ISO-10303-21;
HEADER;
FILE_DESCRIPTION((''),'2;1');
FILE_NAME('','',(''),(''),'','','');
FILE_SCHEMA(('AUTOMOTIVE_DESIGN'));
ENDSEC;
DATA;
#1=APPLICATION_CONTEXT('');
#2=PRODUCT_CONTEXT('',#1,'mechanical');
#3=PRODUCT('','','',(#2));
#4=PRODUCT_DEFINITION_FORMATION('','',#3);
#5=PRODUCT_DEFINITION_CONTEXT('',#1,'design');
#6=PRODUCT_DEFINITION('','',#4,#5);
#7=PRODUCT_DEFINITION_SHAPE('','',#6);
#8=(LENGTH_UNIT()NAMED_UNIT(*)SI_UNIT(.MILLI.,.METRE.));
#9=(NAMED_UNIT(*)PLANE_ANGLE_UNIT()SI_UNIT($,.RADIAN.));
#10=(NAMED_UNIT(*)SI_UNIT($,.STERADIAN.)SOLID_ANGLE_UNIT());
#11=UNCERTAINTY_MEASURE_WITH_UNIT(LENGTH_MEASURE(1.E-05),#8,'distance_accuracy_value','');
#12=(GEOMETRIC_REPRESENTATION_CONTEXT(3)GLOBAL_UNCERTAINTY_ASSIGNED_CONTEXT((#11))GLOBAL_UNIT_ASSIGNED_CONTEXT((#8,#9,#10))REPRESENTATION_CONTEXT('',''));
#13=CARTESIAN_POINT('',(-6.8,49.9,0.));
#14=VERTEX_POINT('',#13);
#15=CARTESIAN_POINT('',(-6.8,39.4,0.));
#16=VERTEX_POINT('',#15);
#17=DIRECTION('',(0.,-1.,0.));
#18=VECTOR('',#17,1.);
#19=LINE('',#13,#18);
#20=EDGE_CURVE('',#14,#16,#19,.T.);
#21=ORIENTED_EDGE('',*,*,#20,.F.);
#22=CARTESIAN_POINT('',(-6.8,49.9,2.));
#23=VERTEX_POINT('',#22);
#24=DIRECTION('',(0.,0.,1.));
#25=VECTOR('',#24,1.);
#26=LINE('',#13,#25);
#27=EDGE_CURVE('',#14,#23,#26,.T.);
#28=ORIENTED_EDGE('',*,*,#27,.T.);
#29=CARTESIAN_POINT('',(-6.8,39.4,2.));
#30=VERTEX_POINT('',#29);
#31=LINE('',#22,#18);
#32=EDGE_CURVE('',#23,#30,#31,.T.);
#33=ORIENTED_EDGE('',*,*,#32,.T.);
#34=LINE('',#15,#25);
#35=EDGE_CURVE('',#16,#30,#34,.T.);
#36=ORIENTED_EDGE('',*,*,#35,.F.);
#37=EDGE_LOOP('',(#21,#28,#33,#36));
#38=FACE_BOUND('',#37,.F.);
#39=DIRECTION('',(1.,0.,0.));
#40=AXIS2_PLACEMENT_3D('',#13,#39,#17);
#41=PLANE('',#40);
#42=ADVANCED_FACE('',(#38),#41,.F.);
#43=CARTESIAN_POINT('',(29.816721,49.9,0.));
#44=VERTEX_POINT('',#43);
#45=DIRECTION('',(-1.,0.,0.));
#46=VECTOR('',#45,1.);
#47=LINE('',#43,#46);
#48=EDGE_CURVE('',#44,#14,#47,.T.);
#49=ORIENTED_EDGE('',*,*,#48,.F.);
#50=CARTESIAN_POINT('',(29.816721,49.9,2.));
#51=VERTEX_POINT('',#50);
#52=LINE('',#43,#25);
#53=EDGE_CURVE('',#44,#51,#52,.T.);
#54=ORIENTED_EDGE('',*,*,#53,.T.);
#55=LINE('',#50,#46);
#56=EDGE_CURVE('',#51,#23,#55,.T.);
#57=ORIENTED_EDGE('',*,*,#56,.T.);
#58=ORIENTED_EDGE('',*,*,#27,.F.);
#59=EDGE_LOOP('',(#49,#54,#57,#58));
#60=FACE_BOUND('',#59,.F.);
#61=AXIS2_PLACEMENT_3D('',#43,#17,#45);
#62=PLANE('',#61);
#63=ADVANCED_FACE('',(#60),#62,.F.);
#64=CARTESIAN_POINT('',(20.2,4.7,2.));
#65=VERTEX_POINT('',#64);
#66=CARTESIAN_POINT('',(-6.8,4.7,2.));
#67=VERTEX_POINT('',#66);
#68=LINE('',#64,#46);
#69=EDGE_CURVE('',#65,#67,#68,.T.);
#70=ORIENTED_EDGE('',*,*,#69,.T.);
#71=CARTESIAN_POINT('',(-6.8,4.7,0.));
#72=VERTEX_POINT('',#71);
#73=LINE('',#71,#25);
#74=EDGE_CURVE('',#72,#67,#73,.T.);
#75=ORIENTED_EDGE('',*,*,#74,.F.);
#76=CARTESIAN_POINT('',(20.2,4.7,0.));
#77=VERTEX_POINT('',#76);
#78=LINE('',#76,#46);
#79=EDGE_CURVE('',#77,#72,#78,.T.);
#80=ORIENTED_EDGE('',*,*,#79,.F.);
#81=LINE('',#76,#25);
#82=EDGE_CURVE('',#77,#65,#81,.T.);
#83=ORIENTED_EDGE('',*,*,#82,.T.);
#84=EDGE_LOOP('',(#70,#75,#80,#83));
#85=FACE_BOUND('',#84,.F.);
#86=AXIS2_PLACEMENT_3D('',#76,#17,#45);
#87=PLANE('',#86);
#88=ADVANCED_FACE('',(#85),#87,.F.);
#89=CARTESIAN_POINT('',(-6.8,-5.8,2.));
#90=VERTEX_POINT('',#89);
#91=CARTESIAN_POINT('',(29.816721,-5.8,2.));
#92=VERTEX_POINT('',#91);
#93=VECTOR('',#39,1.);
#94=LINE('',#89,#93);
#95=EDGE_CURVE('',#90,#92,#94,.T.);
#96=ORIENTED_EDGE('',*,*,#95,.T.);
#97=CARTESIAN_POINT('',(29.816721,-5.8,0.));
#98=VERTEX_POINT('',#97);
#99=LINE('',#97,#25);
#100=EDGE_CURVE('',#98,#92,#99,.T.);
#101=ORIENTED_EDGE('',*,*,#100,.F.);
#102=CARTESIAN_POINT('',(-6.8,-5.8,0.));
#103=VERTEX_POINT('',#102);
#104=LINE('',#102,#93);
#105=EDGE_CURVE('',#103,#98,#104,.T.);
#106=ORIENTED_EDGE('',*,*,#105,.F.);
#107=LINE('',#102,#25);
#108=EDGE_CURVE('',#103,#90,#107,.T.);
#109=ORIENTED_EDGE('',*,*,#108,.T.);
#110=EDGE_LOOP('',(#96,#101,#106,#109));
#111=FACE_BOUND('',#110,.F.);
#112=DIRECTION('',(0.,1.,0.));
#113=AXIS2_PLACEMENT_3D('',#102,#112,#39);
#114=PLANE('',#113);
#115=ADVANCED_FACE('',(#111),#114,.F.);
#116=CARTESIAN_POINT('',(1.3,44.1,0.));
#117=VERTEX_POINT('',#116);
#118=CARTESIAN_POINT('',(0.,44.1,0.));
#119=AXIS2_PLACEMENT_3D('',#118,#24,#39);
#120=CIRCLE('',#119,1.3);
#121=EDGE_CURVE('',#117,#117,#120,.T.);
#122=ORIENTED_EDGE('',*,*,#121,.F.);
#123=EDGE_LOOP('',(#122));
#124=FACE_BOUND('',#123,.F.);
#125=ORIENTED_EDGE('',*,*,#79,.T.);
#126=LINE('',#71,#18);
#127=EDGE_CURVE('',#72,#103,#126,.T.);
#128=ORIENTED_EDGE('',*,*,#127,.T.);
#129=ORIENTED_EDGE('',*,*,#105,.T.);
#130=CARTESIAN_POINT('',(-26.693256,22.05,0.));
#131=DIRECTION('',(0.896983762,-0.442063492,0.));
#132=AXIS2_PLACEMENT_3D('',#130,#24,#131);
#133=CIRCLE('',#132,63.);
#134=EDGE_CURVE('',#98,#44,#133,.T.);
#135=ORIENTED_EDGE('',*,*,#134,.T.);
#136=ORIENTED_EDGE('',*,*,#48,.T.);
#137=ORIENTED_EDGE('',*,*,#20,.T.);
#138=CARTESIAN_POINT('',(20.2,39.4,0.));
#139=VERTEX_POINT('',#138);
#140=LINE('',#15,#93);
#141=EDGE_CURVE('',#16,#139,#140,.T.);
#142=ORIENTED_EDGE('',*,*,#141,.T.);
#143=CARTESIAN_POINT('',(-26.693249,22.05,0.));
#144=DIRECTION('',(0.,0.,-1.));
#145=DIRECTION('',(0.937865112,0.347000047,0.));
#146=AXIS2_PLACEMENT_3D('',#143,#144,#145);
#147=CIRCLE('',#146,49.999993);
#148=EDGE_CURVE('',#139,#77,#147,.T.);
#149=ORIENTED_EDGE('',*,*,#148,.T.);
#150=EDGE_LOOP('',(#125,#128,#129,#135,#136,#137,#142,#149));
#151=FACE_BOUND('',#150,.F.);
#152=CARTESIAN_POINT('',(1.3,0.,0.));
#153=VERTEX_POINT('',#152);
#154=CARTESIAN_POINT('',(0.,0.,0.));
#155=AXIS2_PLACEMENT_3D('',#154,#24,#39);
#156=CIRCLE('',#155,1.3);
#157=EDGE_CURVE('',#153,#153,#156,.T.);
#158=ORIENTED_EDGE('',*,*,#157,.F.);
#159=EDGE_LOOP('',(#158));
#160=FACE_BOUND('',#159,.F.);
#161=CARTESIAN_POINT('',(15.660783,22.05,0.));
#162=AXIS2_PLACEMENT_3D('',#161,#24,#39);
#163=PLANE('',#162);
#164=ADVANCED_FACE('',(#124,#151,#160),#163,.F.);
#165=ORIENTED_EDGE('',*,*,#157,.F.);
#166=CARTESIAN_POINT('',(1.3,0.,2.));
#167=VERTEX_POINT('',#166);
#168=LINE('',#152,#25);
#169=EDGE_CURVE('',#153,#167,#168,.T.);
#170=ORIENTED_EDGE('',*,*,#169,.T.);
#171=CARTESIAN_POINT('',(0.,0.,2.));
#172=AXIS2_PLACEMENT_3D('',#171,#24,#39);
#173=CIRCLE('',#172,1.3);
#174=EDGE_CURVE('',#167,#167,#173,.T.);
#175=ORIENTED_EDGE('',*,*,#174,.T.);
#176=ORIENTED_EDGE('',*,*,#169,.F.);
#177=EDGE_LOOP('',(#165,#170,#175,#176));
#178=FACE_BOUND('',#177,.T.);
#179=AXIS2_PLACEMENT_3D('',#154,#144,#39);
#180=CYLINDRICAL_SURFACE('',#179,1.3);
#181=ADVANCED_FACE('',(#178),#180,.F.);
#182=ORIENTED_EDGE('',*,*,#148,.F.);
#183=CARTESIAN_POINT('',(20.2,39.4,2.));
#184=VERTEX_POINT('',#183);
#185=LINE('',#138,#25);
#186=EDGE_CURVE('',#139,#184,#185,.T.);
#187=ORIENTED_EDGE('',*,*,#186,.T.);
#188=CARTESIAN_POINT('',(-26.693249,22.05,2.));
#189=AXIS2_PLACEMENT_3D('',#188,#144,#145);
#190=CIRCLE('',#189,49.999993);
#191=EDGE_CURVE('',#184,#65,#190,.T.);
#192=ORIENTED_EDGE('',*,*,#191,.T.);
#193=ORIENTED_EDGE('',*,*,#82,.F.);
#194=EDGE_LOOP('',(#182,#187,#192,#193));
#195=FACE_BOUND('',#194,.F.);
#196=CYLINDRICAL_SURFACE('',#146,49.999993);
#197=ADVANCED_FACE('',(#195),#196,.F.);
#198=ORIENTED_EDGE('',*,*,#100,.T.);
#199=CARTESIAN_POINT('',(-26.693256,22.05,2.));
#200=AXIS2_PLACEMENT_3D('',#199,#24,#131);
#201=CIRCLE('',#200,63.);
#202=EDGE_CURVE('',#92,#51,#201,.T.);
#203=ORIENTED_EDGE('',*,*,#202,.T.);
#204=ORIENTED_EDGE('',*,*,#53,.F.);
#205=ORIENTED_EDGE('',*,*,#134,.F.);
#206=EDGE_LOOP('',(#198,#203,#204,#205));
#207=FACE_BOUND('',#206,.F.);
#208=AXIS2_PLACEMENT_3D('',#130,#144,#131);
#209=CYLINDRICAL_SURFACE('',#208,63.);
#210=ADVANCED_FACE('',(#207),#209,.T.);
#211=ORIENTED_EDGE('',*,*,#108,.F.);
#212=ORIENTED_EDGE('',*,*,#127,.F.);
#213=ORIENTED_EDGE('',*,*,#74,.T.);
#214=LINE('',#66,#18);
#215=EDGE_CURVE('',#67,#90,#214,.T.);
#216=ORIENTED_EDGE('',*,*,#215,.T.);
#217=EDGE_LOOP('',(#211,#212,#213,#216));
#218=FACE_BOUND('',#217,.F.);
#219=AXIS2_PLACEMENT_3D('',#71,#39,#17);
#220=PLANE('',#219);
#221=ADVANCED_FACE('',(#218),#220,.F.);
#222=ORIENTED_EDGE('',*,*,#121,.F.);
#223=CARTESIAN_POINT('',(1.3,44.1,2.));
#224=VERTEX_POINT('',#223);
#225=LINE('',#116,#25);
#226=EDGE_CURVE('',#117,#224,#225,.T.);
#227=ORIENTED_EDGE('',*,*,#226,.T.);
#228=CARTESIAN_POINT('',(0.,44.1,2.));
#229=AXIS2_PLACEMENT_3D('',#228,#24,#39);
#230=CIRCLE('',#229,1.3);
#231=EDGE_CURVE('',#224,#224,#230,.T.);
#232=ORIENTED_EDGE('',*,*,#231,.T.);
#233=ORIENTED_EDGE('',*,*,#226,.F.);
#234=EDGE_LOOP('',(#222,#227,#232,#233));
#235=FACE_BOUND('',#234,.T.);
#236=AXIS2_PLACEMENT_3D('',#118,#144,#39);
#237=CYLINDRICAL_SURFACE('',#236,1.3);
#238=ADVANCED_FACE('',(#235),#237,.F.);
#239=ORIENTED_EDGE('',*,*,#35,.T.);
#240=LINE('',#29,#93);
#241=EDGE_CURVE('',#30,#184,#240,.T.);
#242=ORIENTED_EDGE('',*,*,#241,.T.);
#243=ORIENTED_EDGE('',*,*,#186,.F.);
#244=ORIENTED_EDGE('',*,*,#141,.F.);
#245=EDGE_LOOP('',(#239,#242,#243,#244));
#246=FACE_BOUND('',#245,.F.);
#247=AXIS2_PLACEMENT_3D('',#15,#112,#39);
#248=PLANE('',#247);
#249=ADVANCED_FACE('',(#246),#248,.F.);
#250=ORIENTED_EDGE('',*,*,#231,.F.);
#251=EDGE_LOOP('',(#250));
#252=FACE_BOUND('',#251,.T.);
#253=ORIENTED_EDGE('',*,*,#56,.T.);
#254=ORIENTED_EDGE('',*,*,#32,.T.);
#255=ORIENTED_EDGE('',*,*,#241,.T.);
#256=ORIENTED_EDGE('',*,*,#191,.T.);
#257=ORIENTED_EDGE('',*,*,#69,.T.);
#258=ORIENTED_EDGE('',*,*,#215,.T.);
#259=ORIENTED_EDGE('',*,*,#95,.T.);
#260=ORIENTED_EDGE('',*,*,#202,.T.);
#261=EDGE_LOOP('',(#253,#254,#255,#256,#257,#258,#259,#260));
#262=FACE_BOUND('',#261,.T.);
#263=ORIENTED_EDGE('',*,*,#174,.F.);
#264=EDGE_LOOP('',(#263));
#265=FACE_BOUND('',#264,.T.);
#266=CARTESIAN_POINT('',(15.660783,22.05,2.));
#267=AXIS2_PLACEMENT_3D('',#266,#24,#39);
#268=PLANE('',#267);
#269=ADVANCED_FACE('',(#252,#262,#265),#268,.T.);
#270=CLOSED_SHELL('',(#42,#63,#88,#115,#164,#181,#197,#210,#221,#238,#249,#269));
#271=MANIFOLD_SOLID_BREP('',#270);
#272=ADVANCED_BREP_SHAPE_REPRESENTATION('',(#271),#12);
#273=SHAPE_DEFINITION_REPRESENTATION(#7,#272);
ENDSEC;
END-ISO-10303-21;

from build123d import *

# Parameters (mm, degrees)
F0_R     = 1.3
F1_DEPTH = 2


with BuildPart() as f1:
    # F0 (on Top) → F1 (new body)
    with BuildSketch(Plane.XY):
        with BuildLine():
            Line((20.2, 4.7), (-6.8, 4.7))
            Line((-6.8, 4.7), (-6.8, -5.8))
            Line((-6.8, -5.8), (29.816721, -5.8))
            ThreePointArc((29.816721, -5.8), (36.306744, 22.05), (29.816721, 49.9))
            Line((29.816721, 49.9), (-6.8, 49.9))
            Line((-6.8, 49.9), (-6.8, 39.4))
            Line((-6.8, 39.4), (20.2, 39.4))
            ThreePointArc((20.2, 39.4), (23.306744, 22.05), (20.2, 4.7))
        make_face()
        Circle(F0_R, mode=Mode.SUBTRACT)
        with Locations((0, 44.1)):
            Circle(F0_R, mode=Mode.SUBTRACT)
    extrude(amount=F1_DEPTH)


solid = f1.part
